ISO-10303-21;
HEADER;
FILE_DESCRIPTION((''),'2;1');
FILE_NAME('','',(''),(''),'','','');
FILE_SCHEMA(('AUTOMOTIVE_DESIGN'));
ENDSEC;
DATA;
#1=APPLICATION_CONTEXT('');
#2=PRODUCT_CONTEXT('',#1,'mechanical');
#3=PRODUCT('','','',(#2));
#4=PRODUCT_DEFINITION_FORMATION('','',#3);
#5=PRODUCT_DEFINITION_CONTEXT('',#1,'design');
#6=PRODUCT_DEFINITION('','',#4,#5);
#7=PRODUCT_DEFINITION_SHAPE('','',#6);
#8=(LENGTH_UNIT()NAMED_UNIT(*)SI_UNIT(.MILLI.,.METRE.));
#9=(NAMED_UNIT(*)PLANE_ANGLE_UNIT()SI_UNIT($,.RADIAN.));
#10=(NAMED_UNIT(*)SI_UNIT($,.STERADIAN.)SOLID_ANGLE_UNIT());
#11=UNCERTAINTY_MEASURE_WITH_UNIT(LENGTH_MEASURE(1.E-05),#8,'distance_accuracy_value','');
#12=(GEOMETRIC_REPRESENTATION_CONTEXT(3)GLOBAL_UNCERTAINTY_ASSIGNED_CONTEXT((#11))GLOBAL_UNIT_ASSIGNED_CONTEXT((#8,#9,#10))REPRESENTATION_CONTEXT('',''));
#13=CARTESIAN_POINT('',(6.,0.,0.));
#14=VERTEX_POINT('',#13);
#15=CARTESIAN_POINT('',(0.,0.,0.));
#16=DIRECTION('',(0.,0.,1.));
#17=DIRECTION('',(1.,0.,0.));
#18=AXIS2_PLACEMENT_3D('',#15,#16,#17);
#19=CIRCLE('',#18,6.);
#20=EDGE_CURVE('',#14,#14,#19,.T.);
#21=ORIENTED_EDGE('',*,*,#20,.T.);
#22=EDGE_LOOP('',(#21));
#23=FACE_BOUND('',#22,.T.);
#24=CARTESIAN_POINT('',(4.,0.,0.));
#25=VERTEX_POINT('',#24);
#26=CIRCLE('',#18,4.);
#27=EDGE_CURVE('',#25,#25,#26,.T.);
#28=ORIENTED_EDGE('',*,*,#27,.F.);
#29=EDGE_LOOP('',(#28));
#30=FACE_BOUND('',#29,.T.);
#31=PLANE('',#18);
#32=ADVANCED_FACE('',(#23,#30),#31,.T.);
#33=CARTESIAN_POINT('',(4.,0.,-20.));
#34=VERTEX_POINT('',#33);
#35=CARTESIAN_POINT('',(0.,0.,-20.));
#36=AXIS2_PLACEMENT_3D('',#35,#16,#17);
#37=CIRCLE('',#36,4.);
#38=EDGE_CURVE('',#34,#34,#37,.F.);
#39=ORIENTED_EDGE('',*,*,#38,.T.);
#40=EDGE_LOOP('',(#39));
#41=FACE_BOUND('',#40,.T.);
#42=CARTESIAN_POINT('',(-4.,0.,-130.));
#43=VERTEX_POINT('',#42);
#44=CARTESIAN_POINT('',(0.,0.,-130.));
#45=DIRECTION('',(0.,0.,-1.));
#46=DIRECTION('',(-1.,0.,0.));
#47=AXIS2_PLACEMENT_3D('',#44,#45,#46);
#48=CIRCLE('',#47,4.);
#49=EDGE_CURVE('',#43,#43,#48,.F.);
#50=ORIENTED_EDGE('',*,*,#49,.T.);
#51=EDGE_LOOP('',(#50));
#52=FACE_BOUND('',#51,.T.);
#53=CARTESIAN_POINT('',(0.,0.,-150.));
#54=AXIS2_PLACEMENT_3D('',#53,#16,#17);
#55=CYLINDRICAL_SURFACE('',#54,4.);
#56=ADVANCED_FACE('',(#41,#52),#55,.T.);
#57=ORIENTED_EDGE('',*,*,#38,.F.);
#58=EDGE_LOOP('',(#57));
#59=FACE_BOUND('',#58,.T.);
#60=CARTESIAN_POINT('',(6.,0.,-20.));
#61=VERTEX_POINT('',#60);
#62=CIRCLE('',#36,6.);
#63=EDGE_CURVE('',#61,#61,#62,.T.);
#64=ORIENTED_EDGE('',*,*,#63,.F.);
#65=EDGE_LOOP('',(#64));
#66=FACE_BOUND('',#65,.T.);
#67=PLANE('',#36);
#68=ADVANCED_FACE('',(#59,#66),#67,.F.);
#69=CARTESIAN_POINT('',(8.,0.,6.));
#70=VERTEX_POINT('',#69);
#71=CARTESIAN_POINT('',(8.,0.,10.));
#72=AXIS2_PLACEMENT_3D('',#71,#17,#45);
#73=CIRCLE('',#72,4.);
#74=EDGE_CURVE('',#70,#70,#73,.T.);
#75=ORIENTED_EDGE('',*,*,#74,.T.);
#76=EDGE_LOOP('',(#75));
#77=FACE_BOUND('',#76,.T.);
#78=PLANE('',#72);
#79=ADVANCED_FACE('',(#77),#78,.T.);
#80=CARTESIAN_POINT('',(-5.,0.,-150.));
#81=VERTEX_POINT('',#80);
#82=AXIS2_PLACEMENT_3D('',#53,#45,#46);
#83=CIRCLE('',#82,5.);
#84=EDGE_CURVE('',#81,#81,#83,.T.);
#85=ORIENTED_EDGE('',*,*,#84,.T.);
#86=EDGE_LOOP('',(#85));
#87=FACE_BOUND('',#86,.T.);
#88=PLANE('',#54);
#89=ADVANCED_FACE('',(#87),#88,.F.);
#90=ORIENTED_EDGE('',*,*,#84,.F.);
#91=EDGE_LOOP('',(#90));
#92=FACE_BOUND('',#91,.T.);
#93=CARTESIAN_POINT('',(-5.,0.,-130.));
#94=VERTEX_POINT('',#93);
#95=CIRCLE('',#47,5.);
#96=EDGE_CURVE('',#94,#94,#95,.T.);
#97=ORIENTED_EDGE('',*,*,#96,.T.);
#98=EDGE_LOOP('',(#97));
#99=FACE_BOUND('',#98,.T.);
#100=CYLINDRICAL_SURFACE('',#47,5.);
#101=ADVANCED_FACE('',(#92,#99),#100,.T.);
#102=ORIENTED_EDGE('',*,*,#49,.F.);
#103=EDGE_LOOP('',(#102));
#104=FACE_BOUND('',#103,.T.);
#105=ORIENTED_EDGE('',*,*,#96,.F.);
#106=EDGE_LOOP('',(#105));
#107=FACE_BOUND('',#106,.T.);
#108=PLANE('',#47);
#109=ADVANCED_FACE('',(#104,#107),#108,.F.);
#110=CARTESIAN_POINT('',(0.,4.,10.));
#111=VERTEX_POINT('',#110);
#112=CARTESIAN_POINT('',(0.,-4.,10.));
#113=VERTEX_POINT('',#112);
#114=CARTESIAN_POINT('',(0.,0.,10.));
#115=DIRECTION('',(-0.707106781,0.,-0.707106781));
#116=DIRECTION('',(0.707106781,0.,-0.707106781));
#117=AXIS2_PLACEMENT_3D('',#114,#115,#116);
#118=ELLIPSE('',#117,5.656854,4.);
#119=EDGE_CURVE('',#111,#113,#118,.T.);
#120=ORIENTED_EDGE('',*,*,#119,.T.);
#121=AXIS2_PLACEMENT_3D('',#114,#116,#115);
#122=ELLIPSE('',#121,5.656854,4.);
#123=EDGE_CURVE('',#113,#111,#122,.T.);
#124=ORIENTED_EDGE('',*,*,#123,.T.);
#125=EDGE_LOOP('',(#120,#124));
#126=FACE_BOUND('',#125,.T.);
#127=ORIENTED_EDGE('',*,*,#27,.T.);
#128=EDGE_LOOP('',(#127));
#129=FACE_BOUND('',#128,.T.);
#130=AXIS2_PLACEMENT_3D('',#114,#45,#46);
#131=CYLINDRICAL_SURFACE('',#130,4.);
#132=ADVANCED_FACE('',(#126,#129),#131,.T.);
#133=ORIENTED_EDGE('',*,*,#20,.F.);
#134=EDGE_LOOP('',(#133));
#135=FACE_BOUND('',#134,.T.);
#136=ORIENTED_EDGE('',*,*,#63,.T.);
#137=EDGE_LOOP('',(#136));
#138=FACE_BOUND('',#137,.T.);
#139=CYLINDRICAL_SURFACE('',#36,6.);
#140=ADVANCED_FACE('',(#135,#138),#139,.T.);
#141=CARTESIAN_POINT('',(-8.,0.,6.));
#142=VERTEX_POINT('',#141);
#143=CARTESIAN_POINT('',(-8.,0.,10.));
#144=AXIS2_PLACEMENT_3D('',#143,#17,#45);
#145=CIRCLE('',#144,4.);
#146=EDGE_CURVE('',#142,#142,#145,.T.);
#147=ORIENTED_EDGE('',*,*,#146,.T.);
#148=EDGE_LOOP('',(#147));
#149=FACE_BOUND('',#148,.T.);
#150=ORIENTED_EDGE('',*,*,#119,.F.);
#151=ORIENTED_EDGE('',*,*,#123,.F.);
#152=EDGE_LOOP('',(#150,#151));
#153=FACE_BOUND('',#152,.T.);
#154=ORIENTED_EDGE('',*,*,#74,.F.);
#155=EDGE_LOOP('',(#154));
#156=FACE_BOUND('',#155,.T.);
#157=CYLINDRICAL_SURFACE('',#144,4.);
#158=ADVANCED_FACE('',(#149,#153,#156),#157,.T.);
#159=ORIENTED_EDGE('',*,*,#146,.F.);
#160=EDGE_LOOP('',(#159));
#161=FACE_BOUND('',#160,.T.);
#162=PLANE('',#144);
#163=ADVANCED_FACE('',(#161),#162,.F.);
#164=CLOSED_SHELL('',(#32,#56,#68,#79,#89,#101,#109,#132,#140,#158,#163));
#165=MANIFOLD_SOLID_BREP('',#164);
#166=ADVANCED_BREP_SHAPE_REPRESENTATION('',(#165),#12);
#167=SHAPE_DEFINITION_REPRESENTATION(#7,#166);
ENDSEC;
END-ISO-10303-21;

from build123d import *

# Parameters (mm, degrees)
SKETCH1_R                = 4
BOSS_EXTRUDE1_DEPTH      = 150
SKETCH2_R                = 5
BOSS_EXTRUDE2_DEPTH      = 20
SKETCH3_R                = 6
BOSS_EXTRUDE3_DEPTH      = 20
BOSS_EXTRUDE6_START      = 10
SKETCH4_R                = 4
BOSS_EXTRUDE6_DEPTH      = 10
BOSS_EXTRUDE7_DEPTH      = 8
BOSS_EXTRUDE7_DEPTH_BACK = 8
SKETCH6_R                = 4


with BuildPart() as part:
    # Sketch1 → Boss-Extrude1 (new body)
    with BuildSketch(Plane.XY):
        Circle(SKETCH1_R)
    extrude(amount=-BOSS_EXTRUDE1_DEPTH)

    # Sketch2 → Boss-Extrude2 (add)
    with BuildSketch(Plane(origin=(0, 0, -150), x_dir=(-1, 0, 0), z_dir=(0, 0, -1))):
        Circle(SKETCH2_R)
    extrude(amount=-BOSS_EXTRUDE2_DEPTH)

    # Sketch3 → Boss-Extrude3 (add)
    with BuildSketch(Plane.XY):
        Circle(SKETCH3_R)
    extrude(amount=-BOSS_EXTRUDE3_DEPTH)

    # Sketch4 → Boss-Extrude6 (add)
    with BuildSketch(Plane.XY.offset(BOSS_EXTRUDE6_START)):
        Circle(SKETCH4_R)
    extrude(amount=-BOSS_EXTRUDE6_DEPTH)

    # Sketch6 → Boss-Extrude7 (add, two sides: drawn at the far end of the back side and taken through both)
    with BuildSketch(Plane(origin=(0, 0, 0), x_dir=(0, 0, -1), z_dir=(1, 0, 0)).offset(-BOSS_EXTRUDE7_DEPTH_BACK)):
        with Locations((-10, 0)):
            Circle(SKETCH6_R)
    extrude(amount=BOSS_EXTRUDE7_DEPTH + BOSS_EXTRUDE7_DEPTH_BACK)


solid = part.part
